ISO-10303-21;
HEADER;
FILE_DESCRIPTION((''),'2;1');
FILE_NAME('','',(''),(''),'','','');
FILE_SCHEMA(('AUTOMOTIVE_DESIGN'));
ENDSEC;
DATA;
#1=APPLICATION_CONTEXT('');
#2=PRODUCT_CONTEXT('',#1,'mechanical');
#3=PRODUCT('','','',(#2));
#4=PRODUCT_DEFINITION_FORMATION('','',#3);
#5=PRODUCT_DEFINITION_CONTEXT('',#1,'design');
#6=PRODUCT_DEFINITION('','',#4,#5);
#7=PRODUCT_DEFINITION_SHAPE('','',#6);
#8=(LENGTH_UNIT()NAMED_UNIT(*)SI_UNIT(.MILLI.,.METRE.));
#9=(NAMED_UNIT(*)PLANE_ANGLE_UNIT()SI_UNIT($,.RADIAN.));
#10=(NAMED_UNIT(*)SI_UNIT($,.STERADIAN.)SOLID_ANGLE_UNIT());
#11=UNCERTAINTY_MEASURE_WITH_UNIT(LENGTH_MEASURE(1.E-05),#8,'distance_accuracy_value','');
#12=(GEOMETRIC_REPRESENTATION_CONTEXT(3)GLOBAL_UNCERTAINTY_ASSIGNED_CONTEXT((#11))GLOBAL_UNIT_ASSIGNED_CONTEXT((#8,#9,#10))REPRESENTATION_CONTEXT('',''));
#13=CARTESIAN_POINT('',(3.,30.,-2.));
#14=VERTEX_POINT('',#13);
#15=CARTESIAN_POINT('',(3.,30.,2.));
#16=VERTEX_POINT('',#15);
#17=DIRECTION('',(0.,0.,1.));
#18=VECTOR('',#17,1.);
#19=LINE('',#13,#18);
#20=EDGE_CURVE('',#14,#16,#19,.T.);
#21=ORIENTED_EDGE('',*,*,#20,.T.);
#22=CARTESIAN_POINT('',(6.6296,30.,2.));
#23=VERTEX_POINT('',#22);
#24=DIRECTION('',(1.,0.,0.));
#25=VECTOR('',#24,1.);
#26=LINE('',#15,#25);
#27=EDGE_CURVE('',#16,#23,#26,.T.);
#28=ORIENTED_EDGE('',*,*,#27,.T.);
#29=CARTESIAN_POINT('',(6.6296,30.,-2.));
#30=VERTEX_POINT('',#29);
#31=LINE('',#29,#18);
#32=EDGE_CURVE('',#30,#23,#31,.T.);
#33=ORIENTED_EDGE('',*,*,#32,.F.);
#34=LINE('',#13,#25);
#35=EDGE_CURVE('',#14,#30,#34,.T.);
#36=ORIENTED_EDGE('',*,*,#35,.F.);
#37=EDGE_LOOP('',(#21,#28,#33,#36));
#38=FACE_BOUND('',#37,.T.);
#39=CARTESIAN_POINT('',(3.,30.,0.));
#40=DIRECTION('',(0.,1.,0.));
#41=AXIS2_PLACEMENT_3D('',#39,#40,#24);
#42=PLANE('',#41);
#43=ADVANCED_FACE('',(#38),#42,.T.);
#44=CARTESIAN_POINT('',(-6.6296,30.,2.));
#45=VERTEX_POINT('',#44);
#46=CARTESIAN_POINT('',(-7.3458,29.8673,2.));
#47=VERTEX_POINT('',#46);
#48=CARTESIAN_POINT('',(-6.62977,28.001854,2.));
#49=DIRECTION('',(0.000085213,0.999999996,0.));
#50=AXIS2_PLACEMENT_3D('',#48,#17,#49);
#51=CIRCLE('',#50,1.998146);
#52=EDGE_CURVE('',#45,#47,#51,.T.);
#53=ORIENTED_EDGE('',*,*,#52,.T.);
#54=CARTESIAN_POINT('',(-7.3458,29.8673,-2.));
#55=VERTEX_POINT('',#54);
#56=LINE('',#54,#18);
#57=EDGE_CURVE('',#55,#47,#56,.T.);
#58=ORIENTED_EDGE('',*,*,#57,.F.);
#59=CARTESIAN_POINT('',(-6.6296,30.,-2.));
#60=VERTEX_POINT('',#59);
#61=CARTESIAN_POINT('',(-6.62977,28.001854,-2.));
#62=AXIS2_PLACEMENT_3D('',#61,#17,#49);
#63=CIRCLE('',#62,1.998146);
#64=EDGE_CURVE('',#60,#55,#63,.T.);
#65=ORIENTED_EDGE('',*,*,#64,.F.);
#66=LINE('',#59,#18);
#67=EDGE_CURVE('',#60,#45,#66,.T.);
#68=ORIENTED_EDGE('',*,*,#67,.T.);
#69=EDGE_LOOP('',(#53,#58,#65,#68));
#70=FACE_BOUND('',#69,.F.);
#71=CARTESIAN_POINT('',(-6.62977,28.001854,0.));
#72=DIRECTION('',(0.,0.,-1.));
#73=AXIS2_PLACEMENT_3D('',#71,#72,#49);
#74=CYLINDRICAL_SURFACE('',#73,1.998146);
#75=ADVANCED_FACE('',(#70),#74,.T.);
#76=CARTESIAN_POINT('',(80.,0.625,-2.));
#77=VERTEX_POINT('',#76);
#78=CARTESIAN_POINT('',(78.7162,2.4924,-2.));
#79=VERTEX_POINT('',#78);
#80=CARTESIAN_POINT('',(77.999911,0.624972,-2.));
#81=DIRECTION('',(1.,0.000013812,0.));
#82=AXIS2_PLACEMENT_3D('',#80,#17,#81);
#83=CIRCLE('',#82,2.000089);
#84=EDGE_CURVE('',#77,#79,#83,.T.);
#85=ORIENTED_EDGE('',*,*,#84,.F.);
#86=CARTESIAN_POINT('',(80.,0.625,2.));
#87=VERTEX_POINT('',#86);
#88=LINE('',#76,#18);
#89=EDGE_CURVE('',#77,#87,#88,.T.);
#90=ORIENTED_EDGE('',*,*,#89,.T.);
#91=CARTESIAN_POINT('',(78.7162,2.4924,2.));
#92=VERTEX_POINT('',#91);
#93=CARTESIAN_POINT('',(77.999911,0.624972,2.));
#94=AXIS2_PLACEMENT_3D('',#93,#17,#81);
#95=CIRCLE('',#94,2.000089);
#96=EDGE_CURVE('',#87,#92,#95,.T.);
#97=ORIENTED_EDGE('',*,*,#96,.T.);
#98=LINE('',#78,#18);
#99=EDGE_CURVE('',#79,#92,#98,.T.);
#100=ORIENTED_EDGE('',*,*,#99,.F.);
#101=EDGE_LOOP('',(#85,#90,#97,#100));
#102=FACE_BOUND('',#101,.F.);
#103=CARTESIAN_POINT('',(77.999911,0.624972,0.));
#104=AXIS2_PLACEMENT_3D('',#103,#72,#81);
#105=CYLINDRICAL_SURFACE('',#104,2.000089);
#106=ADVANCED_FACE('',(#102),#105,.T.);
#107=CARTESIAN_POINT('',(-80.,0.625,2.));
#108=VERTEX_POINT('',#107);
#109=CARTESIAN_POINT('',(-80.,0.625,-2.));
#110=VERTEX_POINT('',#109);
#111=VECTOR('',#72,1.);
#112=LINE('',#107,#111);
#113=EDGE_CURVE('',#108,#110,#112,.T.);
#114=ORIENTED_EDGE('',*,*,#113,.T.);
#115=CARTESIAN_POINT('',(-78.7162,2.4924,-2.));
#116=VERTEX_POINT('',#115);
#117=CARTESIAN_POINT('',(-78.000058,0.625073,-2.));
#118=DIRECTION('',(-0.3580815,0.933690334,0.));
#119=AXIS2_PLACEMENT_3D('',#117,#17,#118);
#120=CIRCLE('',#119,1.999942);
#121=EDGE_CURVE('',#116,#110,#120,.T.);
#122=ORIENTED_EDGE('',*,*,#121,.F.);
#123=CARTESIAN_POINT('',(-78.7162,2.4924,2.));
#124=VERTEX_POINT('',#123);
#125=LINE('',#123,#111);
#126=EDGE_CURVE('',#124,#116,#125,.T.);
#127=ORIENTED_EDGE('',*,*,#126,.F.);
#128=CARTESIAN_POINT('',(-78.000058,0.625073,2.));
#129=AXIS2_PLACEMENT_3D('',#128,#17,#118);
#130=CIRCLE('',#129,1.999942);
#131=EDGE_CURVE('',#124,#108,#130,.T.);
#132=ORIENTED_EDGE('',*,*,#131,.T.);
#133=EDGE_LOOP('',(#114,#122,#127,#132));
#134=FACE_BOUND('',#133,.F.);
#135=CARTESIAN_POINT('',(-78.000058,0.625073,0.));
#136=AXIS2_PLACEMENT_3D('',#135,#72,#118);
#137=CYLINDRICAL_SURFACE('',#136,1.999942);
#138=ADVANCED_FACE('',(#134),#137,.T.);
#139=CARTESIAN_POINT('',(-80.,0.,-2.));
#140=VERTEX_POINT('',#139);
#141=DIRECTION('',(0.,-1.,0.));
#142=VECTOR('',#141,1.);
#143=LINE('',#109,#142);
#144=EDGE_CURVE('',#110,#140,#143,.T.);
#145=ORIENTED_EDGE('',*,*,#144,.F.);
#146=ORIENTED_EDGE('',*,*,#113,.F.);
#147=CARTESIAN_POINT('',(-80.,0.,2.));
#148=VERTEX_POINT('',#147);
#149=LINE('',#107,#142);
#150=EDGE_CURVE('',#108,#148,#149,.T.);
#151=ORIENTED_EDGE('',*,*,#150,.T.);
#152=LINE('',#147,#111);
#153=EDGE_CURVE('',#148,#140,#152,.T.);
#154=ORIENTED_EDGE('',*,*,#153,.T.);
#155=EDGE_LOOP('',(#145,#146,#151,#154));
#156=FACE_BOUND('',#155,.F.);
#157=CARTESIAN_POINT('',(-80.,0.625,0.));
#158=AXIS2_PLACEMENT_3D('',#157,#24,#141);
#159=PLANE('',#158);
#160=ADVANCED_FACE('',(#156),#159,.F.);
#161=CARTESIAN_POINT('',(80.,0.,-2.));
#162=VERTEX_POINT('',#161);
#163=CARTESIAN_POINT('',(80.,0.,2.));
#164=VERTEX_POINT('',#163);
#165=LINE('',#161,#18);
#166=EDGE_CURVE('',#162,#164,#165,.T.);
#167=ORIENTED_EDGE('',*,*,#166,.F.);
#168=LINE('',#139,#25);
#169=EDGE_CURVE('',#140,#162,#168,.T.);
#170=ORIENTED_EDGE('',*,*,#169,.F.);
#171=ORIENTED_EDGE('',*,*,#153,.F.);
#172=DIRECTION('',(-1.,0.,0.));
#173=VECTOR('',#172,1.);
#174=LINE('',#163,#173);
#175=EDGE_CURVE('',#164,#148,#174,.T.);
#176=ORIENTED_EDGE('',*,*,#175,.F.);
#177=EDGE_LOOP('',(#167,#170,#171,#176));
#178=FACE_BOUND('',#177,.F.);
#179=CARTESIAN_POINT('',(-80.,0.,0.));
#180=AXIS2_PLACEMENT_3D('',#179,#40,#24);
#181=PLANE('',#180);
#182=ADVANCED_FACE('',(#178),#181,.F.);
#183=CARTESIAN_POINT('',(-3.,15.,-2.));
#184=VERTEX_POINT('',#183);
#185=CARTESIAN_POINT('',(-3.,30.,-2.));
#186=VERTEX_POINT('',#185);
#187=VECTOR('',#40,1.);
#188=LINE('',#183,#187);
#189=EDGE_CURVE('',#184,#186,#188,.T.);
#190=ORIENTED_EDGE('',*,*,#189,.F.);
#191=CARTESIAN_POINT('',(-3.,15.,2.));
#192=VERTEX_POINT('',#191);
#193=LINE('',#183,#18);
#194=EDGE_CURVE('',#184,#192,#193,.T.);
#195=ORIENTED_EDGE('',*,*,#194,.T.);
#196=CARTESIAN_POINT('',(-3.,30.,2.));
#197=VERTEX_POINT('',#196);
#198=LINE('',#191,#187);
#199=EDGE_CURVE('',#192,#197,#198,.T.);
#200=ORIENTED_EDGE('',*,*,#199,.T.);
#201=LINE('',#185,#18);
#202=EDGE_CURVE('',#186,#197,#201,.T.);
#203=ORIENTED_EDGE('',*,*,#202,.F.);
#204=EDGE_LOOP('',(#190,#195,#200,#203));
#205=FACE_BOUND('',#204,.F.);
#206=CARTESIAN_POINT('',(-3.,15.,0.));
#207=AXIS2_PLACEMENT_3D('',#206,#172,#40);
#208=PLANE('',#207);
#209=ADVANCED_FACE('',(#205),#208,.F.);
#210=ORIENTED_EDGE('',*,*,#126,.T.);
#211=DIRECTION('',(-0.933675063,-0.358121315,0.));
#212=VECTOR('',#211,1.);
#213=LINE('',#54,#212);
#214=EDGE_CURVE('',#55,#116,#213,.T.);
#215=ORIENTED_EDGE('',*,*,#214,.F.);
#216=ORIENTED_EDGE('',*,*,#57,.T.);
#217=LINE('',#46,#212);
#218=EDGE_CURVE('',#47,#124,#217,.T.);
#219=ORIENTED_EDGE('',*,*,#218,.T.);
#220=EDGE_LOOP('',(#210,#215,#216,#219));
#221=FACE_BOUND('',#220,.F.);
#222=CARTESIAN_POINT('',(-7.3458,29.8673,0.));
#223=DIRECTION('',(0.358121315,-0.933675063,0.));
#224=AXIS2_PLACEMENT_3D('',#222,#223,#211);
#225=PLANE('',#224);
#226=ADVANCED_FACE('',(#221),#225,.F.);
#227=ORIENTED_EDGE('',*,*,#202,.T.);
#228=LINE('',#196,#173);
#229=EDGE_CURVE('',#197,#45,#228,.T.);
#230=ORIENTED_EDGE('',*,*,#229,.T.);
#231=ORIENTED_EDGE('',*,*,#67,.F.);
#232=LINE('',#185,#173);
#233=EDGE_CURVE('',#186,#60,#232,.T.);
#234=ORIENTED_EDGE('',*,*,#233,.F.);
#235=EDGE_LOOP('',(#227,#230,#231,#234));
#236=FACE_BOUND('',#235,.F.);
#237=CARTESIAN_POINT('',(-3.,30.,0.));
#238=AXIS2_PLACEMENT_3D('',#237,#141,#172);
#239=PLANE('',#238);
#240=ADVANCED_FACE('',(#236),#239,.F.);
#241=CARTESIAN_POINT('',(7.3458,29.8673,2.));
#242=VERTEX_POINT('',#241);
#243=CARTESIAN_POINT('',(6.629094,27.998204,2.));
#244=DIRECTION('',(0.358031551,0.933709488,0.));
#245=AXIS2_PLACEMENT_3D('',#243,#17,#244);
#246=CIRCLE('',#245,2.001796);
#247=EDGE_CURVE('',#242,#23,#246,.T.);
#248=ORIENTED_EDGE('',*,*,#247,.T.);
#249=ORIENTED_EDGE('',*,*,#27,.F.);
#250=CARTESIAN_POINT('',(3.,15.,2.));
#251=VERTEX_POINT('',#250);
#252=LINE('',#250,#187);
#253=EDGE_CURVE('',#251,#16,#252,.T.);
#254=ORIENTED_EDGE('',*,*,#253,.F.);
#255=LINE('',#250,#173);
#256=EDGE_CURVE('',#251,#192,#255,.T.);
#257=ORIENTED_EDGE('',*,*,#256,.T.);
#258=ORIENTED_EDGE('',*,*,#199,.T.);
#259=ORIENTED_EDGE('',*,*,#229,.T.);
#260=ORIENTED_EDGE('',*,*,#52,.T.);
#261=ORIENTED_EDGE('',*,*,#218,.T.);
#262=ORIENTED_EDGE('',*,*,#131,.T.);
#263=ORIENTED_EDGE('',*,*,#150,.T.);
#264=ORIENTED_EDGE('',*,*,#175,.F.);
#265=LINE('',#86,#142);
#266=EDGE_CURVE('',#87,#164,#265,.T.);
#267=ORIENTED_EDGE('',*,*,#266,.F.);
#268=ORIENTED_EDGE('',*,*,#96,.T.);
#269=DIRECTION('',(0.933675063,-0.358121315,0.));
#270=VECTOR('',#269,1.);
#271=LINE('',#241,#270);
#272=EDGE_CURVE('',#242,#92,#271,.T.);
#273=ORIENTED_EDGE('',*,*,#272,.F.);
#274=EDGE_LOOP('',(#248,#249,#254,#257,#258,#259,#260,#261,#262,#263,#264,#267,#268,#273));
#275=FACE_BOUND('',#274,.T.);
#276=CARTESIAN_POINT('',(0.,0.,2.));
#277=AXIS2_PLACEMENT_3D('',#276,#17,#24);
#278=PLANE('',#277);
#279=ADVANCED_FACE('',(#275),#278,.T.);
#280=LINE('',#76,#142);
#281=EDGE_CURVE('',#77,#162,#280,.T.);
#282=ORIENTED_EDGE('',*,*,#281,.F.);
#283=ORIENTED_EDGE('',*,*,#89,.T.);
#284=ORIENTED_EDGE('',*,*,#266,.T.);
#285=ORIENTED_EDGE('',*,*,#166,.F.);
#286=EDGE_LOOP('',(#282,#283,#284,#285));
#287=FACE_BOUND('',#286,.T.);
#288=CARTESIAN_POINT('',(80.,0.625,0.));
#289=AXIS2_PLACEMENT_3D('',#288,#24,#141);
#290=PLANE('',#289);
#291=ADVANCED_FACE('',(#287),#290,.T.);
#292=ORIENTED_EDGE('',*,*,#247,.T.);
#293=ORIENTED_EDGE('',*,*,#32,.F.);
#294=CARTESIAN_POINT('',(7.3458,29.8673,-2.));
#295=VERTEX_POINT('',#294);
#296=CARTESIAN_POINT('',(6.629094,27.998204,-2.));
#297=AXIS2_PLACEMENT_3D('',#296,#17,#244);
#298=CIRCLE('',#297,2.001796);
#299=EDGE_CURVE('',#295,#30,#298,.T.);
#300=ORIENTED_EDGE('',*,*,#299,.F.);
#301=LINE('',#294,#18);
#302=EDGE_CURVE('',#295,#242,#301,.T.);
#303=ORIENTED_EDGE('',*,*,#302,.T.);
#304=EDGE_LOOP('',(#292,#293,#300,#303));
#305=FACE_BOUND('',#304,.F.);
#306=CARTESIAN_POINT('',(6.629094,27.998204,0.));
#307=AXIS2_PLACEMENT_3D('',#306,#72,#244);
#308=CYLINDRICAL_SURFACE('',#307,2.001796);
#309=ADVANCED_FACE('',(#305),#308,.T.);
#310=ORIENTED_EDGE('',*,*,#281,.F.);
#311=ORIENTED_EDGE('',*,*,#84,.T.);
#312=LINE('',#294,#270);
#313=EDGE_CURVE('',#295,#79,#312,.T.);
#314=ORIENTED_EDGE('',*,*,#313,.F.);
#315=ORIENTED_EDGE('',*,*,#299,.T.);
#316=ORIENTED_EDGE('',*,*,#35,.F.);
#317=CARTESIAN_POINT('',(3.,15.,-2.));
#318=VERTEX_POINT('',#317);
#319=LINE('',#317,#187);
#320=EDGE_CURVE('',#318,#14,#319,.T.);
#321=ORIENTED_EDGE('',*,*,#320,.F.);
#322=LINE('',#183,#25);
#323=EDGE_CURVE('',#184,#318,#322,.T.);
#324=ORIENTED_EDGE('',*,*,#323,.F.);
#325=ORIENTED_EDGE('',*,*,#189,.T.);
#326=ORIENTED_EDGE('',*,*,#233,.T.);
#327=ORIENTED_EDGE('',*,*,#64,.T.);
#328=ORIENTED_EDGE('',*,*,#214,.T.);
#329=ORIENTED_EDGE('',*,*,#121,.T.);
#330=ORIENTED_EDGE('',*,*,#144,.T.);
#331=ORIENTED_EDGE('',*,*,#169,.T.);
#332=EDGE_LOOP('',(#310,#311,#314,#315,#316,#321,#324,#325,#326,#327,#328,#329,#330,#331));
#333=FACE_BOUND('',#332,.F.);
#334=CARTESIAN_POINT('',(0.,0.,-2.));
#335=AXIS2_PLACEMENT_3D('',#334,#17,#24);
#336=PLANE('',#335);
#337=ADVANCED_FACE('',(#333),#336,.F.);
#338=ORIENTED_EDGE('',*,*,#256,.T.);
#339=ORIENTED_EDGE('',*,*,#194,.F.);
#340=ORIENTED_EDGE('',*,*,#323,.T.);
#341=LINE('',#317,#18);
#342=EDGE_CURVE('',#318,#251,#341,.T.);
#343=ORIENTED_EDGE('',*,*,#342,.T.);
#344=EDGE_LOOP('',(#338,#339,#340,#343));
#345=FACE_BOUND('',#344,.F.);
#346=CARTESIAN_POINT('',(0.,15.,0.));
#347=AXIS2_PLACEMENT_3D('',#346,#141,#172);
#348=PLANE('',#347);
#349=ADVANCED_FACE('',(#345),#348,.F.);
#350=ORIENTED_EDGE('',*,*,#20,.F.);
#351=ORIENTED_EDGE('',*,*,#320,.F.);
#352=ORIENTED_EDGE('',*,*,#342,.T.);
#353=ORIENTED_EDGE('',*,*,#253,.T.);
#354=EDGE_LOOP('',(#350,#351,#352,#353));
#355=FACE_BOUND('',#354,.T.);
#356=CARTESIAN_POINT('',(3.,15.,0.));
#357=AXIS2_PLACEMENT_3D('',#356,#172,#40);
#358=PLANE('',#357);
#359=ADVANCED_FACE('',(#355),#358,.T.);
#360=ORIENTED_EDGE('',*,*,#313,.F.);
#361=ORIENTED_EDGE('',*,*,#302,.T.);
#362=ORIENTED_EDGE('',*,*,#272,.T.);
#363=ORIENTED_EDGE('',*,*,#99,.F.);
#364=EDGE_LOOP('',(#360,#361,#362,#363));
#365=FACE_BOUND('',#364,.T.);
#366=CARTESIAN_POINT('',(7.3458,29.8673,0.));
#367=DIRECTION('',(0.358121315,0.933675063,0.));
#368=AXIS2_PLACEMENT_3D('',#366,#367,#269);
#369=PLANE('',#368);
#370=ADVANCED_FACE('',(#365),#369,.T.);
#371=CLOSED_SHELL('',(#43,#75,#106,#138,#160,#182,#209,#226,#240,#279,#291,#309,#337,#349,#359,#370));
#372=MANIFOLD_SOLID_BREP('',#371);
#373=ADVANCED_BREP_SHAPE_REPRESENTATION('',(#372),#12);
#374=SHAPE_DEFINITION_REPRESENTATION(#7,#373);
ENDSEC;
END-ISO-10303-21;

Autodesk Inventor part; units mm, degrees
ref_plane "YZ Plane" through (0, 0, 0) normal (1, 0, 0) x (0, 1, 0)
ref_plane "XZ Plane" through (0, 0, 0) normal (0, 1, 0) x (-1, 0, 0)
ref_plane "XY Plane" through (0, 0, 0) normal (0, 0, 1) x (1, 0, 0)
sketch "Náčrt1" plane through (0, 0, 0) normal (0, 0, 1) x (1, 0, 0)
  line L0 (0, 15) -> (-3, 15)
  line L1 (-3, 15) -> (-3, 30)
  line L2 (-3, 30) -> (-6.6296, 30)
  line L3 (-7.3458, 29.8673) -> (-78.7162, 2.4924)
  line L4 (-80, 0.625) -> (-80, 0)
  line L5 (-80, 0) -> (0, 0)
  arc A0 (-78.7162, 2.4924) -> (-80, 0.625) centre (-78, 0.625) ccw
  arc A1 (-6.6296, 30) -> (-7.3458, 29.8673) centre (-6.6296, 28) ccw
  line L6 (0, 15) -> (0, 0)
  line L7 (0, 15) -> (3, 15)
  line L8 (3, 15) -> (3, 30)
  line L9 (3, 30) -> (6.6296, 30)
  line L10 (7.3458, 29.8673) -> (78.7162, 2.4924)
  line L11 (80, 0.625) -> (80, 0)
  line L12 (80, 0) -> (0, 0)
  arc A2 (80, 0.625) -> (78.7162, 2.4924) centre (78, 0.625) ccw
  arc A3 (7.3458, 29.8673) -> (6.6296, 30) centre (6.6296, 28) ccw
  point P0 (-7, 30)
  point P1 (-80, 2)
  point P2 (7, 30)
  point P3 (80, 2)
  dimension "d1" = 15
  dimension "d5" = 4
  dimension "d7" = 2
  dimension "d9" = 2
  dimension "d12" = 15
  dimension "d13" = 3
  dimension "d14" = 80
extrude "Vysunutí1" add sketch "Náčrt1" along normal mid plane 4
equation "\"d10\" = d4"
equation "\"d4\" = 4"
properties part number "LegLessMaterial"
